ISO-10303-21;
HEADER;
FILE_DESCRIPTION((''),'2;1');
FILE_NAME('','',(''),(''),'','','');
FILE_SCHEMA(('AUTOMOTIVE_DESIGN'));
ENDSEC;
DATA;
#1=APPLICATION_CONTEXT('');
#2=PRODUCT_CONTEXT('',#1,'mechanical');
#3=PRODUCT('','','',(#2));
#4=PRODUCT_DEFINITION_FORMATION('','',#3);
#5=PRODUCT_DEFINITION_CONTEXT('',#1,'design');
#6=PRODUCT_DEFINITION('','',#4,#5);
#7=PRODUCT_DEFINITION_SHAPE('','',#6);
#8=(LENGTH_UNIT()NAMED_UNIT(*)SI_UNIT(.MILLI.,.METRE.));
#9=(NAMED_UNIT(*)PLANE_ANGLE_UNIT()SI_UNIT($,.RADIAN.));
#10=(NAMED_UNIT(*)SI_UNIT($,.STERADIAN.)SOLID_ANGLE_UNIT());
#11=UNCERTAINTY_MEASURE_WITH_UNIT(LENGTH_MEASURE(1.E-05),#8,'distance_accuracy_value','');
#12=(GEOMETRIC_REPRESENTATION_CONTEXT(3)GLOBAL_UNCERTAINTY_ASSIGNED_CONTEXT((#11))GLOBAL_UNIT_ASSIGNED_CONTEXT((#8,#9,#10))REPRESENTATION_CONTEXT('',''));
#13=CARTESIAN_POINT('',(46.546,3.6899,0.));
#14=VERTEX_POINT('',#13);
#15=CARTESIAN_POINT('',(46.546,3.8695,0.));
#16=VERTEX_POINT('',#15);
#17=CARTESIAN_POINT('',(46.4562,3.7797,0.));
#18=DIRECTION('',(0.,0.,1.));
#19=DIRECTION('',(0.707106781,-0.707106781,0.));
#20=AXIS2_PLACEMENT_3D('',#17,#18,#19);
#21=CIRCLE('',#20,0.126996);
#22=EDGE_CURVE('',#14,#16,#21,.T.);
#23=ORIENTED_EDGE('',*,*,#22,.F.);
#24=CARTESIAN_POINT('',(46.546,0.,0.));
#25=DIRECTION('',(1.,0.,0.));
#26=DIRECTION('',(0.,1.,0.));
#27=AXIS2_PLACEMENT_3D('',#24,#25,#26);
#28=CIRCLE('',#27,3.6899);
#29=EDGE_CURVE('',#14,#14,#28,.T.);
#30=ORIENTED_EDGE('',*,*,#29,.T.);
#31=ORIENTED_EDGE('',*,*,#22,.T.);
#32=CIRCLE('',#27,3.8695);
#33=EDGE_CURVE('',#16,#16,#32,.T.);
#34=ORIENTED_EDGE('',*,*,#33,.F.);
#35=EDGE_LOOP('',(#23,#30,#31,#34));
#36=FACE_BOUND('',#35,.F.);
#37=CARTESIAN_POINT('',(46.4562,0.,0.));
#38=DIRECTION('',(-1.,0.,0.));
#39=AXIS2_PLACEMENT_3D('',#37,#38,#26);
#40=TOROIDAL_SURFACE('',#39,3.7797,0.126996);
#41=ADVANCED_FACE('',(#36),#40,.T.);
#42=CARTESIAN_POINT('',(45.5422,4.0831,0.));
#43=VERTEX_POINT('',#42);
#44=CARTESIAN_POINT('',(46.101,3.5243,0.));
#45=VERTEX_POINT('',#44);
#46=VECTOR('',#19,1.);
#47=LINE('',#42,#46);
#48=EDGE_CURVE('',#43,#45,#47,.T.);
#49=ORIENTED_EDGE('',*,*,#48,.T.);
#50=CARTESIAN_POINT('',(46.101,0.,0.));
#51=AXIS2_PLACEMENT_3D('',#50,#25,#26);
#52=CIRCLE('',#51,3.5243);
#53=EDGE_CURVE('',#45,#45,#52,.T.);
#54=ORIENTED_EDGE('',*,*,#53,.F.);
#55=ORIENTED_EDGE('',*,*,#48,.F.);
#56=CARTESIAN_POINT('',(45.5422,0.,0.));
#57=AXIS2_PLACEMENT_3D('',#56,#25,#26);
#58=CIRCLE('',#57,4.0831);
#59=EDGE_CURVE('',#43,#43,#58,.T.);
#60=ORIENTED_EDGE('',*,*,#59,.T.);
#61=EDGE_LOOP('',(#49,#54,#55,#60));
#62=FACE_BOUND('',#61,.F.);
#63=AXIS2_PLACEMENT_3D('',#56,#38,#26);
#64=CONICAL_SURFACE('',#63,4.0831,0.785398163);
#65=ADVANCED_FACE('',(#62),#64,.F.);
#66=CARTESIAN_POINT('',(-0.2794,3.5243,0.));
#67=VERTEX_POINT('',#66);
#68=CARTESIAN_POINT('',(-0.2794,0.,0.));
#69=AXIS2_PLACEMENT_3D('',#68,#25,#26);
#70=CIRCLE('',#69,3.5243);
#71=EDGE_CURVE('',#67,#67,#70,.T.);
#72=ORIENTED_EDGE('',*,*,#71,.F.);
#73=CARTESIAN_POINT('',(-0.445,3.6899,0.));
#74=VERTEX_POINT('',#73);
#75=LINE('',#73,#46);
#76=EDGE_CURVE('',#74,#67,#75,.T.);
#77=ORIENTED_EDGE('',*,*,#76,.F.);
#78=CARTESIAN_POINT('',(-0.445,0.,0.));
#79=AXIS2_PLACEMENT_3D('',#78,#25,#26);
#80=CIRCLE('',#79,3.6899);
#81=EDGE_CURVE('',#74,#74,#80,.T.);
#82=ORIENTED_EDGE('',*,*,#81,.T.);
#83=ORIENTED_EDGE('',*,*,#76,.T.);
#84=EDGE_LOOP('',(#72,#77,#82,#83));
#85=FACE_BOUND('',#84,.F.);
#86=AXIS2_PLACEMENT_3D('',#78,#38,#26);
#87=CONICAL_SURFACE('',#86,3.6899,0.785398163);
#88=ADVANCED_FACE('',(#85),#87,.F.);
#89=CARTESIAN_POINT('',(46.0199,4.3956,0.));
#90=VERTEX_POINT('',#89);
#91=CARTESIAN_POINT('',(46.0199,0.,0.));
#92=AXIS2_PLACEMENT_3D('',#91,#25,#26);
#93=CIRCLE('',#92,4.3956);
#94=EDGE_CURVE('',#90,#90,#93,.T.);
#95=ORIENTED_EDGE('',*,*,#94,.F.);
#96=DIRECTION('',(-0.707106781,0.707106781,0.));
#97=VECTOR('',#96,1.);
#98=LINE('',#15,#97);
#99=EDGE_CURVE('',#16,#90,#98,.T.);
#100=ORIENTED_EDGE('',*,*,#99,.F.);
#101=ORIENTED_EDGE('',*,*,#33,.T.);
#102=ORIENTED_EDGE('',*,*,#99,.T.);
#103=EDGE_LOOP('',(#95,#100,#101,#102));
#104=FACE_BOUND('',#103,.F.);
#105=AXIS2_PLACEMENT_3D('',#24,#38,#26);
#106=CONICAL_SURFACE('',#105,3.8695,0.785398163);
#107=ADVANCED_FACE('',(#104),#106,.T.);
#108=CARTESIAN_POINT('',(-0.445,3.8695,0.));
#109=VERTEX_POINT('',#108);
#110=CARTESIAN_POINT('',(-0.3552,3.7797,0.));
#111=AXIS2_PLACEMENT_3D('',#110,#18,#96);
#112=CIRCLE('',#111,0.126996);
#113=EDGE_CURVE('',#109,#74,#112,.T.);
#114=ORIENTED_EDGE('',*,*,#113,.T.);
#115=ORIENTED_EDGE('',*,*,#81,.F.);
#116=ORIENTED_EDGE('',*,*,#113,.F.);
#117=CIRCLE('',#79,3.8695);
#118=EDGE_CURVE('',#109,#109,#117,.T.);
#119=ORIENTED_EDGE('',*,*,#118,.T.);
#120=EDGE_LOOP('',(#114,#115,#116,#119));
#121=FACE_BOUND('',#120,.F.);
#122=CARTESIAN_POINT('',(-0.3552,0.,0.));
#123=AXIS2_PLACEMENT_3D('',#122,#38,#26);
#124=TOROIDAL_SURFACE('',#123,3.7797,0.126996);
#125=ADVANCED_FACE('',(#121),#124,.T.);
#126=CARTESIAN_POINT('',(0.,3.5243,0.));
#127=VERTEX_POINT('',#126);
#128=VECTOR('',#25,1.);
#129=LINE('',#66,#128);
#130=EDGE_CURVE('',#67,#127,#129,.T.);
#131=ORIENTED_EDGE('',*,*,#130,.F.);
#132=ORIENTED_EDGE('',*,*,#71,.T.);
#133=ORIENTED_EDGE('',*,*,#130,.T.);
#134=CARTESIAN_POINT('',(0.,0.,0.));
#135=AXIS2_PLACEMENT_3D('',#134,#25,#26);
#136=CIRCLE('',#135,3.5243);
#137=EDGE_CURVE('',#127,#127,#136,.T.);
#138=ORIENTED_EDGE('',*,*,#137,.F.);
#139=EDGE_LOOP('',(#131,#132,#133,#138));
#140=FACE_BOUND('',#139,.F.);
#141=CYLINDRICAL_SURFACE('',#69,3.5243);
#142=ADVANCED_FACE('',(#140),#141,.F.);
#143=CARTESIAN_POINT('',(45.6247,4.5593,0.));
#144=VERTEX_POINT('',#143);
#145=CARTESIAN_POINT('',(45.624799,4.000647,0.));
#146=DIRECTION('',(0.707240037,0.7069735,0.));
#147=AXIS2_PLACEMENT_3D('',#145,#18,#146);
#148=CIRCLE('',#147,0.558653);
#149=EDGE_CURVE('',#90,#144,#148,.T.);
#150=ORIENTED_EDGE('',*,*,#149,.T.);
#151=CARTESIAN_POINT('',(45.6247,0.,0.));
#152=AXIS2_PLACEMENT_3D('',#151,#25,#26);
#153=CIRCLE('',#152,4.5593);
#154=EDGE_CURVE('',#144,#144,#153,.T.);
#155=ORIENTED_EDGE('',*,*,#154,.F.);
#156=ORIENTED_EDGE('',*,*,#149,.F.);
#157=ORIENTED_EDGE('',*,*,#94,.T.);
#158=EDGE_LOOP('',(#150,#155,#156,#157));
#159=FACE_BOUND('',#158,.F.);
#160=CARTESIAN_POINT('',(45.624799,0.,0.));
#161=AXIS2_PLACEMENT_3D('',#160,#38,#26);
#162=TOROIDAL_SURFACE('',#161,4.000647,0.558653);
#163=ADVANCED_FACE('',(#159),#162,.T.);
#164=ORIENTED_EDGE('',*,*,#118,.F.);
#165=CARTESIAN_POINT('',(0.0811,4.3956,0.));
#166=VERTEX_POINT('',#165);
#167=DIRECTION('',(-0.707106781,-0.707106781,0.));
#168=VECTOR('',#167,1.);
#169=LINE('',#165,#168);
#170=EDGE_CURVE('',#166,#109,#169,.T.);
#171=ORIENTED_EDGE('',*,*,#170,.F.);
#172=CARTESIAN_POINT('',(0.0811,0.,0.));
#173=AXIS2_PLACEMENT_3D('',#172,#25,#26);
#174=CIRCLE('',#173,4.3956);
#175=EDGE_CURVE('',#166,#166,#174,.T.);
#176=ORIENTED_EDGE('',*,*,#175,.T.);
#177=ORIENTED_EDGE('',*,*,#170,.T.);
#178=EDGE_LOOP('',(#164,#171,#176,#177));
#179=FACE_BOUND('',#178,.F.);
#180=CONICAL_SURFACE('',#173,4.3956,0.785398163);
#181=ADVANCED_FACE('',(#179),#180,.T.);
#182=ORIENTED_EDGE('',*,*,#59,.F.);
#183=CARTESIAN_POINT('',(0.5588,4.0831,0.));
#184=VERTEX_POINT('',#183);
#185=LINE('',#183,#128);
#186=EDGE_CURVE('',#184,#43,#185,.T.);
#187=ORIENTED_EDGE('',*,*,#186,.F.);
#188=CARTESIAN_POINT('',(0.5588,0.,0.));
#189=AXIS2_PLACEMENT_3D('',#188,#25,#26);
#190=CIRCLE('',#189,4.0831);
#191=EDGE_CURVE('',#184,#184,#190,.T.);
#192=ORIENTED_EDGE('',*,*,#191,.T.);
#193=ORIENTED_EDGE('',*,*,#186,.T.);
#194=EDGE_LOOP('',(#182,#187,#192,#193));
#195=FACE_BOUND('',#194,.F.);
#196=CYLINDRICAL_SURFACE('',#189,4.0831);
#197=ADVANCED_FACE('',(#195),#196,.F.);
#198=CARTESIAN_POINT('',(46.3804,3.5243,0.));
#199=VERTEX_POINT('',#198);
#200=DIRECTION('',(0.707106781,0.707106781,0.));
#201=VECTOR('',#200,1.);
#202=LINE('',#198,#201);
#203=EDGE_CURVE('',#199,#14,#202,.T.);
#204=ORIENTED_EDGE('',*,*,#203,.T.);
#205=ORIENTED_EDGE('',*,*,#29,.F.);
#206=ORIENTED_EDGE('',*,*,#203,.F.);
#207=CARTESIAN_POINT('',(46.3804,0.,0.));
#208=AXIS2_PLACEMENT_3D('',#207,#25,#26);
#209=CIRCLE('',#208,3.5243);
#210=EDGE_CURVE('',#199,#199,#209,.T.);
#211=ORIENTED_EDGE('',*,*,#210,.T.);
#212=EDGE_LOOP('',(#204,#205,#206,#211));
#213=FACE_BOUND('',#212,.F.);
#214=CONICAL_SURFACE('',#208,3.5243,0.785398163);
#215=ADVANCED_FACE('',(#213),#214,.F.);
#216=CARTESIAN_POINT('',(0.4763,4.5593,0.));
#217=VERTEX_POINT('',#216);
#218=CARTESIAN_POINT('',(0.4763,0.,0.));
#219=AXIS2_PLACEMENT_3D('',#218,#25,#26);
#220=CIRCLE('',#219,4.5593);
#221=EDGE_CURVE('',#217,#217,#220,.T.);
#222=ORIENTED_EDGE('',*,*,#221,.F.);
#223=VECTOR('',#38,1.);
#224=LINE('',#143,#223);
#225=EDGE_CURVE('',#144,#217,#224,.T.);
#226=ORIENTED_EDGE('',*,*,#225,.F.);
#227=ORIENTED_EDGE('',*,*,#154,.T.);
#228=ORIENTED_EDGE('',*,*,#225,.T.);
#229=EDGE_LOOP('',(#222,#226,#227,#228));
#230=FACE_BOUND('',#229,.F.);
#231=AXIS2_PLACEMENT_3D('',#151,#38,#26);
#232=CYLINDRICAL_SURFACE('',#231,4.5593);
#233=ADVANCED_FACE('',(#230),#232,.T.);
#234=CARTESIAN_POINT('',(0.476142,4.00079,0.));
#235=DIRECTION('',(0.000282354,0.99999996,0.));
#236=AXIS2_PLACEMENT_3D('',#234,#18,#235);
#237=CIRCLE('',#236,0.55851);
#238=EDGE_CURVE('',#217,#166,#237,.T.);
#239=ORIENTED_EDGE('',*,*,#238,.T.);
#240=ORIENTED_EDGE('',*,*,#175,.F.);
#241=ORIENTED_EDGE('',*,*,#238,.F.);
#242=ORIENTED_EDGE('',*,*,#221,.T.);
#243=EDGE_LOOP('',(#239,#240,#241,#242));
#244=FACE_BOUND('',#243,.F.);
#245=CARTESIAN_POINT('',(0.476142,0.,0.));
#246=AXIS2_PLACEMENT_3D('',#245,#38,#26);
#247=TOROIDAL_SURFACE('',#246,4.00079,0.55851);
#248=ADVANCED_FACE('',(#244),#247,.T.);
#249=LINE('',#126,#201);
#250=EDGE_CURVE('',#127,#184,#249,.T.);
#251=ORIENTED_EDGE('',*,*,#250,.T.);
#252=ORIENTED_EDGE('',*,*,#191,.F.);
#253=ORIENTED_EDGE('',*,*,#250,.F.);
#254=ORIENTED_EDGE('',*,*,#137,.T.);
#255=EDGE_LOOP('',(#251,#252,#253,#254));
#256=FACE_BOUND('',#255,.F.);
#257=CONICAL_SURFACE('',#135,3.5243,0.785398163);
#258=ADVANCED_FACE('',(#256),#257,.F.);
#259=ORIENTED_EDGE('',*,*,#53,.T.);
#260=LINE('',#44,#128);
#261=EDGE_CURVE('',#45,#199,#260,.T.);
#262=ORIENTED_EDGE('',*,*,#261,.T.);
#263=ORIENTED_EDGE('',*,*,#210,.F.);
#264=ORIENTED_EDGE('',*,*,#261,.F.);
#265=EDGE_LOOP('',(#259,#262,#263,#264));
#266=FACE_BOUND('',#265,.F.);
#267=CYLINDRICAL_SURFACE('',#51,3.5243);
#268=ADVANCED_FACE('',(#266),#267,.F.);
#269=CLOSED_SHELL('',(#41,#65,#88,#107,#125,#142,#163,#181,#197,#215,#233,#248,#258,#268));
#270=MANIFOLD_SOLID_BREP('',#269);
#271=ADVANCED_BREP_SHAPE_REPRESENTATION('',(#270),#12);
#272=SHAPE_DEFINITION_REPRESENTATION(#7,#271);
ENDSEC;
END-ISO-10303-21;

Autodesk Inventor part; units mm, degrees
sketch "Sketch_1" plane through (0, 0, 0) normal (0, 0, 1) x (1, 0, 0)
  line L0 (46.101, 0) -> (0, 0)
  arc A0 (-0.445, 3.8695) -> (-0.445, 3.6899) centre (-0.3552, 3.7797) ccw
  line L1 (-0.445, 3.6899) -> (-0.2794, 3.5243)
  line L2 (-0.2794, 3.5243) -> (0, 3.5243)
  line L3 (0, 3.5243) -> (0.5588, 4.0831)
  line L4 (0.5588, 4.0831) -> (45.5422, 4.0831)
  line L5 (45.5422, 4.0831) -> (46.101, 3.5243)
  line L6 (46.101, 3.5243) -> (46.3804, 3.5243)
  line L7 (46.3804, 3.5243) -> (46.546, 3.6899)
  arc A1 (46.546, 3.6899) -> (46.546, 3.8695) centre (46.4562, 3.7797) ccw
  line L8 (46.546, 3.8695) -> (46.0199, 4.3956)
  arc A2 (46.0199, 4.3956) -> (45.6247, 4.5593) centre (45.6247, 4.0005) ccw
  line L9 (45.6247, 4.5593) -> (0.4763, 4.5593)
  arc A3 (0.4763, 4.5593) -> (0.0811, 4.3956) centre (0.4762, 4.0005) ccw
  line L10 (0.0811, 4.3956) -> (-0.445, 3.8695)
revolve "Revolution1" add sketch "Sketch_1" angle 360 about axis through (46.101, 0, 0) along (1, 0, 0)
ref_plane "cp1_XY" through (23.0505, 0, 4.5593) normal (1, 0, 0) x (0, 0, -1)
ref_plane "cp1_YZ" through (23.0505, 0, 4.5593) normal (0, 0, -1) x (0, 1, 0)
ref_plane "cp1_ZX" through (23.0505, 0, 4.5593) normal (0, 1, 0) x (1, 0, 0)
ref_plane "cp2_XY" through (23.0505, 4.5593, 0) normal (1, 0, 0) x (0, 0, -1)
ref_plane "cp2_YZ" through (23.0505, 4.5593, 0) normal (0, 0, -1) x (0, 1, 0)
ref_plane "cp2_ZX" through (23.0505, 4.5593, 0) normal (0, 1, 0) x (1, 0, 0)
ref_plane "cp3_XY" through (23.0505, 0, -4.5593) normal (1, 0, 0) x (0, 0, -1)
ref_plane "cp3_YZ" through (23.0505, 0, -4.5593) normal (0, 0, -1) x (0, 1, 0)
ref_plane "cp3_ZX" through (23.0505, 0, -4.5593) normal (0, 1, 0) x (1, 0, 0)
ref_plane "cp4_XY" through (23.0505, -4.5593, 0) normal (1, 0, 0) x (0, 0, -1)
ref_plane "cp4_YZ" through (23.0505, -4.5593, 0) normal (0, 0, -1) x (0, 1, 0)
ref_plane "cp4_ZX" through (23.0505, -4.5593, 0) normal (0, 1, 0) x (1, 0, 0)
ref_plane "tube_front_XY" through (0, 0, 0) normal (1, 0, 0) x (0, 0, -1)
ref_plane "tube_front_YZ" through (0, 0, 0) normal (0, 0, -1) x (0, 1, 0)
ref_plane "tube_front_ZX" through (0, 0, 0) normal (0, 1, 0) x (1, 0, 0)
ref_plane "tube_rear_XY" through (46.101, 0, 0) normal (1, 0, 0) x (0, 0, -1)
ref_plane "tube_rear_YZ" through (46.101, 0, 0) normal (0, 0, -1) x (0, 1, 0)
ref_plane "tube_rear_ZX" through (46.101, 0, 0) normal (0, 1, 0) x (1, 0, 0)
properties part number "007R-1.8150"
